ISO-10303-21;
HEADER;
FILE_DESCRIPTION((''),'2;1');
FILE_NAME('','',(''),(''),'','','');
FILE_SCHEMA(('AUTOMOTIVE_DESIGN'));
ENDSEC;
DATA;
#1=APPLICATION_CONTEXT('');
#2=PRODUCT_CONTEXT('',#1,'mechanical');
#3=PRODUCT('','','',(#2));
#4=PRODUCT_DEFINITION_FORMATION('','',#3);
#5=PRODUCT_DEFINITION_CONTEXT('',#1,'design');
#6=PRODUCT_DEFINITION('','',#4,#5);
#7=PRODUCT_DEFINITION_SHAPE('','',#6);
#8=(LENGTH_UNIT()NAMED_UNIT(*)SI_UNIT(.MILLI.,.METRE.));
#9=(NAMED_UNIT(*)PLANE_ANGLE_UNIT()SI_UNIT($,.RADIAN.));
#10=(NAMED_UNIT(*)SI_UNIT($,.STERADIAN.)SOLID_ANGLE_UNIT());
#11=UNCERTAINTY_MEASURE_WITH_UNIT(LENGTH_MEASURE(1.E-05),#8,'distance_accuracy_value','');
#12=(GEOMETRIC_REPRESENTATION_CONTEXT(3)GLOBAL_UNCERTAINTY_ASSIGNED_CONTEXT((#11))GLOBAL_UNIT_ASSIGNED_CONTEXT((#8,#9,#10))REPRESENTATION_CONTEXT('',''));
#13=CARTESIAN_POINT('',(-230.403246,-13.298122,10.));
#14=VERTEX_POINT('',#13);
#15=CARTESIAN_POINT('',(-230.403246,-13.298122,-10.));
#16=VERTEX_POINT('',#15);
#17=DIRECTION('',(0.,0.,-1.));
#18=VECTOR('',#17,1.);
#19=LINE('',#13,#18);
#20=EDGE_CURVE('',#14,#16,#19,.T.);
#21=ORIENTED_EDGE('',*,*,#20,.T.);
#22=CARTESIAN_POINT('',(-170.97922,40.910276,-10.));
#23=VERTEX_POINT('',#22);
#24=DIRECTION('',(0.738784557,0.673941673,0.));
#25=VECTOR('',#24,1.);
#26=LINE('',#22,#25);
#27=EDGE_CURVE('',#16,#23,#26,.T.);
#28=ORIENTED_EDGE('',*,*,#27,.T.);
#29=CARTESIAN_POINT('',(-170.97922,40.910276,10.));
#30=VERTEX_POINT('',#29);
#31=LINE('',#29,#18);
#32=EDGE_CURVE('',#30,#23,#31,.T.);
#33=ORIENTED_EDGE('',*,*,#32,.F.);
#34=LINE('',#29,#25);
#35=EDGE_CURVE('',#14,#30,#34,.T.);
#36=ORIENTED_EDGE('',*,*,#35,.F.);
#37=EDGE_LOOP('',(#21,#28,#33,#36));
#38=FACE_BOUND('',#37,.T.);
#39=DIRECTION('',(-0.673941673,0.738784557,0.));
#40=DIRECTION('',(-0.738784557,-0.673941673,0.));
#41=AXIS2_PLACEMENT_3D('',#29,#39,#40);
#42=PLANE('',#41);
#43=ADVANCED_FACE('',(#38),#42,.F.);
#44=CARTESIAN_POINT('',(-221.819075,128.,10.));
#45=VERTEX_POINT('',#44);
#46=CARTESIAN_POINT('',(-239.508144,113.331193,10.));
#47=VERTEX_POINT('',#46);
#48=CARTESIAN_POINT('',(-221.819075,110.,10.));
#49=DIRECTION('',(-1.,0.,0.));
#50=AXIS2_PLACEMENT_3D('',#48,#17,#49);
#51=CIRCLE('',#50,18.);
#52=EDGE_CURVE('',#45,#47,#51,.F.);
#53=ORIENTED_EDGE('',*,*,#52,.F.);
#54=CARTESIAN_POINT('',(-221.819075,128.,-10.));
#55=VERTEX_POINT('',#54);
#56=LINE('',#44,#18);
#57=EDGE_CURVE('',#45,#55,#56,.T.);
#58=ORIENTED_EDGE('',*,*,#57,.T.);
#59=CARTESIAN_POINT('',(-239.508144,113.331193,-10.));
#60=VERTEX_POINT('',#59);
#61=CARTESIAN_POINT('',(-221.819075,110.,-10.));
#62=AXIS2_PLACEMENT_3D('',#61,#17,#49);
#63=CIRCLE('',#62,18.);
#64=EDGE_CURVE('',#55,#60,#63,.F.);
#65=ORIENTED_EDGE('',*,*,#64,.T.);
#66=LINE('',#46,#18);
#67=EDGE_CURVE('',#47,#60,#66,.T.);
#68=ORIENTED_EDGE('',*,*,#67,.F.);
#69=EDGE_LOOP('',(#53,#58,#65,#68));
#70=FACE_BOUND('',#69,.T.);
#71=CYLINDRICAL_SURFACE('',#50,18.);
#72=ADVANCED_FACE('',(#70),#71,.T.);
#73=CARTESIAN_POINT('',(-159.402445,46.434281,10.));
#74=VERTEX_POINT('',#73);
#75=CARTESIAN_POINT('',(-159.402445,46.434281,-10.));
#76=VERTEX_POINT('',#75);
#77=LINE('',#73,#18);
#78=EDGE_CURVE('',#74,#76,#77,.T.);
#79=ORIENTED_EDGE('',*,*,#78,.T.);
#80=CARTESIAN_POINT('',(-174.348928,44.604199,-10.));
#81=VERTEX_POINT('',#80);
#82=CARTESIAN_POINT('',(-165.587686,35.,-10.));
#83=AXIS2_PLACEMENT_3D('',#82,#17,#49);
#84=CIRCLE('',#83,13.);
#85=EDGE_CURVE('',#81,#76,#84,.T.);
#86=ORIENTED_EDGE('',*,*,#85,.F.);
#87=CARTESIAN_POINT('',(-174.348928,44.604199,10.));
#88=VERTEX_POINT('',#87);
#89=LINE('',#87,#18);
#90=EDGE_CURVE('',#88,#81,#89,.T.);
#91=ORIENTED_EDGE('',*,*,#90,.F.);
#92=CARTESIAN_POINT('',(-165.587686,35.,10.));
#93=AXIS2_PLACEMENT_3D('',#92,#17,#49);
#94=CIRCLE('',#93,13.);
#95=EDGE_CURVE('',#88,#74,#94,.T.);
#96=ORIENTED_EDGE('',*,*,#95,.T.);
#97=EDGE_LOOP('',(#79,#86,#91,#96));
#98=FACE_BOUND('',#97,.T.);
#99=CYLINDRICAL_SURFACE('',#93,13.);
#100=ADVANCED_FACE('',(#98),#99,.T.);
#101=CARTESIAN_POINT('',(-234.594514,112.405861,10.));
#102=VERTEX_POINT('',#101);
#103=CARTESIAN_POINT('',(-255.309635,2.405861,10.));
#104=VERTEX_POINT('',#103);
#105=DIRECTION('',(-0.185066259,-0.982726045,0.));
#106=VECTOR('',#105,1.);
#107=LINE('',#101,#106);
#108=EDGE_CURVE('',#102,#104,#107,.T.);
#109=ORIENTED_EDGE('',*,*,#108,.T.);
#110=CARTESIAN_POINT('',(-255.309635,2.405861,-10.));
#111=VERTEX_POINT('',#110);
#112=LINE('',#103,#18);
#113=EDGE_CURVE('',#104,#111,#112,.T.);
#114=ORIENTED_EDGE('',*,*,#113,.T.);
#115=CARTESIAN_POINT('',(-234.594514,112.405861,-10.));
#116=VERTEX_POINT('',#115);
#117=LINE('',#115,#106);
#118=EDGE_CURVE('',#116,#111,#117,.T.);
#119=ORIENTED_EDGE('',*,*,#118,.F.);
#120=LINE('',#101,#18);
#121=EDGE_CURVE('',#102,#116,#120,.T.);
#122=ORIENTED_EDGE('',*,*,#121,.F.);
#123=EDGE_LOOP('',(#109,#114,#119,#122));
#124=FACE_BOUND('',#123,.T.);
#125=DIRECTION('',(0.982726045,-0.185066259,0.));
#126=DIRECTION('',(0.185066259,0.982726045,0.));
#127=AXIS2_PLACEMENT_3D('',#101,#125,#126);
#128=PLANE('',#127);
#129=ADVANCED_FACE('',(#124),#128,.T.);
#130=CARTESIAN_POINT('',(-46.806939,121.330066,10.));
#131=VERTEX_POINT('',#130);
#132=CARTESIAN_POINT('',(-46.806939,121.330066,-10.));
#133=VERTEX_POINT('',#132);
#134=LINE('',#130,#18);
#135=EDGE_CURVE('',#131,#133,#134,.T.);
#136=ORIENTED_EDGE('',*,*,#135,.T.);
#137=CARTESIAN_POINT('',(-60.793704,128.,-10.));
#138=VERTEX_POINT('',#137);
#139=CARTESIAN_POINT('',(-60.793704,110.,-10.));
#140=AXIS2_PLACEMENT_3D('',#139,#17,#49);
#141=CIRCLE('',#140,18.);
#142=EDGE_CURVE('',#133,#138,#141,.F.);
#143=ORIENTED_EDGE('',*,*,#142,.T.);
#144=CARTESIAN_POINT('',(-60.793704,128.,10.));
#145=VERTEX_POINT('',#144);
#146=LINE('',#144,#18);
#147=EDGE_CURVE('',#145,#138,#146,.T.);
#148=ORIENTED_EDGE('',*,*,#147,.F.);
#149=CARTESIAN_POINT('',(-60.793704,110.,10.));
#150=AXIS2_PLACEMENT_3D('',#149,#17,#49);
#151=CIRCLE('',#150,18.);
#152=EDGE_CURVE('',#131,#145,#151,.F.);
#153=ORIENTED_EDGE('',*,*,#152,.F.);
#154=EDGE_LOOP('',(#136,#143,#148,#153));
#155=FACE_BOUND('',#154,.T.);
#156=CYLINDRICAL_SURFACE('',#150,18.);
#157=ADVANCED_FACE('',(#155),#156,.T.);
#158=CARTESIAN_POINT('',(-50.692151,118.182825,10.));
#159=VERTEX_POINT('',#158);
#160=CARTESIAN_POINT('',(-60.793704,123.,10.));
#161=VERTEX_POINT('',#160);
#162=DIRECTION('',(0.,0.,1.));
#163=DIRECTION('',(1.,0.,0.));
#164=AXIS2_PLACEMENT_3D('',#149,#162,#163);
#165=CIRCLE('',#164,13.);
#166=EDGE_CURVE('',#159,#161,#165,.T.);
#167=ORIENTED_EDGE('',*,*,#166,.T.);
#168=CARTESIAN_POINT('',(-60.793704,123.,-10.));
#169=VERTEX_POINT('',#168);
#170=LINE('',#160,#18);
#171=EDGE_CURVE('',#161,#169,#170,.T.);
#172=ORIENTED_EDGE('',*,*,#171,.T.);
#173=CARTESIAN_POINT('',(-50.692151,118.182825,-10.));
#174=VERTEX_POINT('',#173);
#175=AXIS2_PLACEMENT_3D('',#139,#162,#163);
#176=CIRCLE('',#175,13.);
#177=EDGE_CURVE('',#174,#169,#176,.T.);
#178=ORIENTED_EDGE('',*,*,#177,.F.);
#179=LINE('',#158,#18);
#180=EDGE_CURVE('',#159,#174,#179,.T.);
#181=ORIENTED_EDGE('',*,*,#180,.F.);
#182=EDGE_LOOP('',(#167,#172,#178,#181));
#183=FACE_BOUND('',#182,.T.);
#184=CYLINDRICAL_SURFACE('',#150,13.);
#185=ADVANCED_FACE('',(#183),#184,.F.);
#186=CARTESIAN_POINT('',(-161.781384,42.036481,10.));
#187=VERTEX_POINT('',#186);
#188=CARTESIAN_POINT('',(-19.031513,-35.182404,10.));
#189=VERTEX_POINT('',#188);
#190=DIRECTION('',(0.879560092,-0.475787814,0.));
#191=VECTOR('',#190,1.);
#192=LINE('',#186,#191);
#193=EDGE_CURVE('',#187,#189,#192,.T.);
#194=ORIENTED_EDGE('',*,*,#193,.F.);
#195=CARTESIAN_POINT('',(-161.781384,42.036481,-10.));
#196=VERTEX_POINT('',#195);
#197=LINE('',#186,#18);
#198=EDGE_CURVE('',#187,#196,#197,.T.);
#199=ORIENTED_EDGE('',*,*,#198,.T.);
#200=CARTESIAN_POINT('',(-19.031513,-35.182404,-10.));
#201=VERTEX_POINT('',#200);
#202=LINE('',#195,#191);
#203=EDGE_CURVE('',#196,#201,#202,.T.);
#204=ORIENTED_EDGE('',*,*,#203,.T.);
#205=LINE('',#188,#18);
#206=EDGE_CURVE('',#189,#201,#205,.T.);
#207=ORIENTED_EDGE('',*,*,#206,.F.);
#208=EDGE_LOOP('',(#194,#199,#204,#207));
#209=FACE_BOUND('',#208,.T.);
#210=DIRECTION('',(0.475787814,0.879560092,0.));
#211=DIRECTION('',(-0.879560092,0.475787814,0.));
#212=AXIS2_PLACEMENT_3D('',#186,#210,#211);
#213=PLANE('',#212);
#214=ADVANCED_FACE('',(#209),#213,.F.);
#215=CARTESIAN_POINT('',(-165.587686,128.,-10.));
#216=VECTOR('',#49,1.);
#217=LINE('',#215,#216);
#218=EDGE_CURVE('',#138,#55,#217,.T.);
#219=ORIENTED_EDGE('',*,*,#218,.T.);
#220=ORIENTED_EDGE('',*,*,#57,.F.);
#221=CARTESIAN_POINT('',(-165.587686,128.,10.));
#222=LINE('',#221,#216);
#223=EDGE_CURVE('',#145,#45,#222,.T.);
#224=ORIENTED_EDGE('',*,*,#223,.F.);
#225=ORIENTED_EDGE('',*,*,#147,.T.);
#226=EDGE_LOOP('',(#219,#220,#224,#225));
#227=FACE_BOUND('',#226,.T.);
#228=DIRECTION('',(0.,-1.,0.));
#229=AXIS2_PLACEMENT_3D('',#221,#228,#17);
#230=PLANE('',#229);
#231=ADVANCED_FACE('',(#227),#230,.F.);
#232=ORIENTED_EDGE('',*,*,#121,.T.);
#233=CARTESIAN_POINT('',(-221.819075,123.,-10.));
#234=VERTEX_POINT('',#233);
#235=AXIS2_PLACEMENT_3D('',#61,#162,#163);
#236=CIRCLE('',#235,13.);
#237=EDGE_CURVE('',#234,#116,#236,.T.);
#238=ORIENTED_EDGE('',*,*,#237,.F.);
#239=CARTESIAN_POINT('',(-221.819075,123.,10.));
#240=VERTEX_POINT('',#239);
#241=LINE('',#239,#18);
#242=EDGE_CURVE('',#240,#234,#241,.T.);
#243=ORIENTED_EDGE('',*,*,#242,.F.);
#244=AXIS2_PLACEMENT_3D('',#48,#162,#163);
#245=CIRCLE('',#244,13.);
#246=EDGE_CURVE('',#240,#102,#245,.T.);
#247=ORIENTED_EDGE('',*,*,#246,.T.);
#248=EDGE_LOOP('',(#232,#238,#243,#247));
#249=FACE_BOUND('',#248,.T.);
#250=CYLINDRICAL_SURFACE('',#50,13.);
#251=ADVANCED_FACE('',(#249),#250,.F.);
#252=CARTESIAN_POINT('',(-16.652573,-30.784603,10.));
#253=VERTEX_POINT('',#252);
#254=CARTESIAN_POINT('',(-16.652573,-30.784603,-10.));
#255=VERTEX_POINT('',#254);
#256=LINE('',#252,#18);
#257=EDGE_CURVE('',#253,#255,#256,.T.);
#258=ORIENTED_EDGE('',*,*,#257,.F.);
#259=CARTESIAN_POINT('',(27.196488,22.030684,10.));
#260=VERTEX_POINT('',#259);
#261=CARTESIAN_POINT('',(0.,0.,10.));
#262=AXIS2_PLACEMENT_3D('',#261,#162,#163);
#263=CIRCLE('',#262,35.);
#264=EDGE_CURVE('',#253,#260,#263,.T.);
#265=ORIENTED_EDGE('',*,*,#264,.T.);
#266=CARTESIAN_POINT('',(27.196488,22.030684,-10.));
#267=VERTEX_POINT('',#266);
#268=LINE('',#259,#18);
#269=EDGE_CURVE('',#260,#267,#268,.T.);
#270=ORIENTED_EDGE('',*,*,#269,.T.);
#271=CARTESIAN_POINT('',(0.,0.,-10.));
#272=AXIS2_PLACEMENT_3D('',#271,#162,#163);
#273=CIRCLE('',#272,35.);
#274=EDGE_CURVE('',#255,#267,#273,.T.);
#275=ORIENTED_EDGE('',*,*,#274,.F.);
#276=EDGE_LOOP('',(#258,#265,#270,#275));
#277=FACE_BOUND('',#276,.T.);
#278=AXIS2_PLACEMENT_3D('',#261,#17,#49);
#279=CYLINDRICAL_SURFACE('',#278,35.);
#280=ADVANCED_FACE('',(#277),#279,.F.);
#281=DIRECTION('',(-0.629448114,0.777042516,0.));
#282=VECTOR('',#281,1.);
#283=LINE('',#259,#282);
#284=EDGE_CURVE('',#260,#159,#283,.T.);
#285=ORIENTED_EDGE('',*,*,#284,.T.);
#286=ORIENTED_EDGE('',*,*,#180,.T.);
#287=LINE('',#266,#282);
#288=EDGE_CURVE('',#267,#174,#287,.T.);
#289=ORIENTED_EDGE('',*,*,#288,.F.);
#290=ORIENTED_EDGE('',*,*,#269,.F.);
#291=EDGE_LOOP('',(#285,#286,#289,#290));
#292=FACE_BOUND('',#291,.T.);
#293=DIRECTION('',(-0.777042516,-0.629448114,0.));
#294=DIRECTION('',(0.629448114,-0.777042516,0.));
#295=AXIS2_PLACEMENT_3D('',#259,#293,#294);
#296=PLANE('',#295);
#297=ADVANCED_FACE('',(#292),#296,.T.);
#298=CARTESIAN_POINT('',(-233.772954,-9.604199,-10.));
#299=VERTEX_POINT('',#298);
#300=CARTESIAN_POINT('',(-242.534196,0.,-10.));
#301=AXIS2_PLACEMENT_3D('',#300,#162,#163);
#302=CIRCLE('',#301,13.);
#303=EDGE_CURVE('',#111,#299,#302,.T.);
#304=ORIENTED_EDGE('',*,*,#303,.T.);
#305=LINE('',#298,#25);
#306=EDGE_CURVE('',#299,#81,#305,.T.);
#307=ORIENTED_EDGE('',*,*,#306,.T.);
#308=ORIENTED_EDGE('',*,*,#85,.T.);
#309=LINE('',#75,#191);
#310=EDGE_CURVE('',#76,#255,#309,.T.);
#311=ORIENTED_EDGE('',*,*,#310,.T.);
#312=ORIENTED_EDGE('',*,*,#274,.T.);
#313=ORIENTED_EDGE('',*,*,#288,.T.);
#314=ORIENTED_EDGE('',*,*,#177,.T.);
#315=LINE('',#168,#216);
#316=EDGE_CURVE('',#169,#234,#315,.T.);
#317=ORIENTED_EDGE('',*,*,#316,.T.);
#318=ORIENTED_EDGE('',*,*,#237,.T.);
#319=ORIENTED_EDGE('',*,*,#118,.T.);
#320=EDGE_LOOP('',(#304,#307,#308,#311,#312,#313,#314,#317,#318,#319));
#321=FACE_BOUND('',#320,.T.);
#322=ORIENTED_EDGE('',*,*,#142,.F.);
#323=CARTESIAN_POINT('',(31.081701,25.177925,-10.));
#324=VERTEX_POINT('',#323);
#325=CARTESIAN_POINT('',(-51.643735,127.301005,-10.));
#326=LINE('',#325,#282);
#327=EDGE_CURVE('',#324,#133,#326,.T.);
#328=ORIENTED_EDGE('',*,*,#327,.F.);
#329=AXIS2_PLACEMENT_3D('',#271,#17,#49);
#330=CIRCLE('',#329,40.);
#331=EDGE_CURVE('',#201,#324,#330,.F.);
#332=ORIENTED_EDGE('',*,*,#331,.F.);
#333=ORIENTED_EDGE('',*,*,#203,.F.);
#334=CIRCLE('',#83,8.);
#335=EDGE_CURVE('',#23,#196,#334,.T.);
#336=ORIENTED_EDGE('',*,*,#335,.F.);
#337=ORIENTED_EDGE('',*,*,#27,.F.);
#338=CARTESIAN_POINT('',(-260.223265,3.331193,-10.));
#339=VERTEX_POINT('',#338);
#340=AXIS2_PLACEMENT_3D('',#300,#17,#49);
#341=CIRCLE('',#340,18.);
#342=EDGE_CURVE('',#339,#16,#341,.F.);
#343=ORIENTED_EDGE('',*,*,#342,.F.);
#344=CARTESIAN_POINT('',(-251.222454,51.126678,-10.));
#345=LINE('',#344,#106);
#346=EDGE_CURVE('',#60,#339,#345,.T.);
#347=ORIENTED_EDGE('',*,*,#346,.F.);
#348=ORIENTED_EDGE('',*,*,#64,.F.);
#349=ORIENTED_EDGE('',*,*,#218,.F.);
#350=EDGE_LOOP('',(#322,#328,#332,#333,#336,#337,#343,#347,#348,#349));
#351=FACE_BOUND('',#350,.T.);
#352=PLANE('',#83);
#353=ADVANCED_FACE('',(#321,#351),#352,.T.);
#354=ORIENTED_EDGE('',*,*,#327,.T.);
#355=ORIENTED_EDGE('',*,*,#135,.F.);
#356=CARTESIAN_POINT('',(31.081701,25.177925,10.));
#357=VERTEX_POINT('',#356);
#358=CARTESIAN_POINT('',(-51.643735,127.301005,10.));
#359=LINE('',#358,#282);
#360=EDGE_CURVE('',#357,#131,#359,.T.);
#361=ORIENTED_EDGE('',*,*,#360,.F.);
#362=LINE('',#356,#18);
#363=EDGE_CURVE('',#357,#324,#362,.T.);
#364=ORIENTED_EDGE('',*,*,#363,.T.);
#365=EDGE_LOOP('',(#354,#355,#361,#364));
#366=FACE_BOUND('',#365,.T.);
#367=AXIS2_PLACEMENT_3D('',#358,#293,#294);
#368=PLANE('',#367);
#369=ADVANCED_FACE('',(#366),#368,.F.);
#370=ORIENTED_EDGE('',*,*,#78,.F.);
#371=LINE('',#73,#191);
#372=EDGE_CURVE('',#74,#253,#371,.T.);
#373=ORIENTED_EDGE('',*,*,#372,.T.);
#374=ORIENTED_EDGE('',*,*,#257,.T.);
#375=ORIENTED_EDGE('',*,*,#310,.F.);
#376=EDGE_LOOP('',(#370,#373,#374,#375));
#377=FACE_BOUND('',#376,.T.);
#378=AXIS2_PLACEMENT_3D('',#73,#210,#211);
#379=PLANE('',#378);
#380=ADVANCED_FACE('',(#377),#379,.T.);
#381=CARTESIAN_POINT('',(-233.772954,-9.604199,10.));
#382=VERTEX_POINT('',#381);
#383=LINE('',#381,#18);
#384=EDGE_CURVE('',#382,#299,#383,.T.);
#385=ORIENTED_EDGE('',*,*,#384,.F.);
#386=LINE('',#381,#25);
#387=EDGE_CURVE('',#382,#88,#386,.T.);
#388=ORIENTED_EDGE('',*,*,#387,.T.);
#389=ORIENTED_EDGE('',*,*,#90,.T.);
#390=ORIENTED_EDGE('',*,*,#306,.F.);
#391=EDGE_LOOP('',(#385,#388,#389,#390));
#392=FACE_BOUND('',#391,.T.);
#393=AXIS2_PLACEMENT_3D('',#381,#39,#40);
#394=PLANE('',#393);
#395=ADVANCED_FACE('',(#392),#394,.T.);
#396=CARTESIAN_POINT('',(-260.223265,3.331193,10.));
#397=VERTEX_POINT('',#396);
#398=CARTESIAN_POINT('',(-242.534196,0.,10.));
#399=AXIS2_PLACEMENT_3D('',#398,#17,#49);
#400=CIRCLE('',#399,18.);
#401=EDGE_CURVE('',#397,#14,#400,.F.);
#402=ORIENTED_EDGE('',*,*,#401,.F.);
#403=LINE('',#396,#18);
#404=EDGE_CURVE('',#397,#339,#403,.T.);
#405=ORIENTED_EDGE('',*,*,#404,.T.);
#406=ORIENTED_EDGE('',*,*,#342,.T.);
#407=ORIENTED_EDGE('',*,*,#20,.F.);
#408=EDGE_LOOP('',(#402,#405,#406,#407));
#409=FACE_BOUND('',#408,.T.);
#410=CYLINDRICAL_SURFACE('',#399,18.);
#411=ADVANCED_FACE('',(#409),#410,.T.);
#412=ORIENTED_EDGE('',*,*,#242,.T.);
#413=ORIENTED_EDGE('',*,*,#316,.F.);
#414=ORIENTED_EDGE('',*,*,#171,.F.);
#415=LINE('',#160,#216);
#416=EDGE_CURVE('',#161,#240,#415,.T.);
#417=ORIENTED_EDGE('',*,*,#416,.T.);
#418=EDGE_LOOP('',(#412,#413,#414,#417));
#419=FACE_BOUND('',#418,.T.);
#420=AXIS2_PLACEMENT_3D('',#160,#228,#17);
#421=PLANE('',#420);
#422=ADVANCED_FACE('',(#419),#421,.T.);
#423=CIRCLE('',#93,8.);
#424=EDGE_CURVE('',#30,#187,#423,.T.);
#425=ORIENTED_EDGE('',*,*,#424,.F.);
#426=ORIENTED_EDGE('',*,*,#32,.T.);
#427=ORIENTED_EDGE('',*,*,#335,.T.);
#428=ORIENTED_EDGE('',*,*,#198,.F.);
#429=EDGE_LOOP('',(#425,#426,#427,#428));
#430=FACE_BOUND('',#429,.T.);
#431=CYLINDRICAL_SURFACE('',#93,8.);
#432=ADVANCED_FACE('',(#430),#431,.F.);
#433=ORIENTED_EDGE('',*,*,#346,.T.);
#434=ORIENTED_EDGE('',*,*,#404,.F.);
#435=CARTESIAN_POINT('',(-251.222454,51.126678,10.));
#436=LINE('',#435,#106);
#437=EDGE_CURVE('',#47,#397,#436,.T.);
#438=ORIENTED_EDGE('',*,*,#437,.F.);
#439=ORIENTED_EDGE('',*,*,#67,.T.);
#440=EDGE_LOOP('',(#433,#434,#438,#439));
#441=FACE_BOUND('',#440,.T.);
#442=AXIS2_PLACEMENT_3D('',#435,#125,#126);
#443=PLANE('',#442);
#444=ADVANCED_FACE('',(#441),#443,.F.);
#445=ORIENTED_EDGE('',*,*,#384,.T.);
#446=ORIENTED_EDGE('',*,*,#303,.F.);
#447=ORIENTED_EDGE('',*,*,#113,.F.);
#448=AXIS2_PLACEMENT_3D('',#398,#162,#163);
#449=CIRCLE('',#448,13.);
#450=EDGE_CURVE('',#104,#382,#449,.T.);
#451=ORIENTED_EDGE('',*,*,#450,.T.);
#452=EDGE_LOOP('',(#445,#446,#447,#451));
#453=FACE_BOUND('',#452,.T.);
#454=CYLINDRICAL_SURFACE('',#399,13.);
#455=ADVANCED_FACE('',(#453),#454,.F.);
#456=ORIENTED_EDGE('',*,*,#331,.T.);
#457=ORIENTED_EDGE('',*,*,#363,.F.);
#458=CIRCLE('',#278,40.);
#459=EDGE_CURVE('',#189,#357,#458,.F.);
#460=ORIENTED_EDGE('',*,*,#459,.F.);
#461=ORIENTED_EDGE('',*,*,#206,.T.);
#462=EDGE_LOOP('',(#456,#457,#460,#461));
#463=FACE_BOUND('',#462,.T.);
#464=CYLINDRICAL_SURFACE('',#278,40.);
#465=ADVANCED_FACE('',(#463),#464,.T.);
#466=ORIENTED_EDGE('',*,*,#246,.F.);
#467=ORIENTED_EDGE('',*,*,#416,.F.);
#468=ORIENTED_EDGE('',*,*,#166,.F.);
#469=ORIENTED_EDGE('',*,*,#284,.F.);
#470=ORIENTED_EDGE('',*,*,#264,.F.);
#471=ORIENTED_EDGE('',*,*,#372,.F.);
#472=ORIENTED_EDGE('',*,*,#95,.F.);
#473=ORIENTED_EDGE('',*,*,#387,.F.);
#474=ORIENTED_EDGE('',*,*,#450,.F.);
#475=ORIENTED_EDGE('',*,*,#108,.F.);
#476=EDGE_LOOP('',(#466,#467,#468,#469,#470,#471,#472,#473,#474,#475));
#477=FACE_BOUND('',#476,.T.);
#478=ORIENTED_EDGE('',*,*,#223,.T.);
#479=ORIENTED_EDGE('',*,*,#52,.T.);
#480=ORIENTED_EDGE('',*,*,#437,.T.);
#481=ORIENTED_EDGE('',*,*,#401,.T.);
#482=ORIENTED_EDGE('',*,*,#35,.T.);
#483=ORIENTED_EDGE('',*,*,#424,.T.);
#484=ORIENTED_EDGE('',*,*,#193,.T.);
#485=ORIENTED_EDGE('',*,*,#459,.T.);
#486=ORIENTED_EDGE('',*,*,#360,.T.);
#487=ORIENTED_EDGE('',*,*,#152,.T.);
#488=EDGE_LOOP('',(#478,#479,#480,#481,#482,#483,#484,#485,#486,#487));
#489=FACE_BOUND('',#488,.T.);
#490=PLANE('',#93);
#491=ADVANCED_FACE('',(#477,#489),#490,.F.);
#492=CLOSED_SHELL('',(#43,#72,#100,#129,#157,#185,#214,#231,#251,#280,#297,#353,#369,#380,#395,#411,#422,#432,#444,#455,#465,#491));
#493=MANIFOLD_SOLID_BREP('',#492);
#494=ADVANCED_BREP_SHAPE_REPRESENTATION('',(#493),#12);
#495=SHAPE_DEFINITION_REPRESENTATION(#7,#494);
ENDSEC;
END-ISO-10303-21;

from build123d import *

# Parameters (mm, degrees)
EXTRUDE_THIN1_DEPTH = 10


with BuildPart() as part:
    # Sketch2 → Extrude-Thin1 (new, symmetric)
    with BuildSketch(Plane.XY):
        with BuildLine():
            Line((-161.781383655, 42.036480739), (-19.031512561, -35.182403693))
            ThreePointArc((-19.031512561, -35.182403693), (30.775705763, -25.551045669), (31.081700633, 25.177924573))
            Line((31.081700633, 25.177924573), (-46.806938551, 121.330066058))
            ThreePointArc((-46.806938551, 121.330066058), (-53.045839261, 126.247171893), (-60.793703836, 128))
            Line((-60.793703836, 128), (-221.819075448, 128))
            ThreePointArc((-221.819075448, 128), (-233.30903916, 123.855711237), (-239.508144262, 113.331192655))
            Line((-239.508144262, 113.331192655), (-260.223264765, 3.331192655))
            ThreePointArc((-260.223264765, 3.331192655), (-251.300991125, -15.720792041), (-230.403245845, -13.29812203))
            Line((-230.403245845, -13.29812203), (-170.979219548, 40.910276458))
            ThreePointArc((-170.979219548, 40.910276458), (-166.559963518, 42.940697498), (-161.781383655, 42.036480739))
        make_face()
        with BuildLine():
            Line((-159.402444585, 46.4342812), (-16.652573491, -30.784603232))
            ThreePointArc((-16.652573491, -30.784603232), (26.928742543, -22.35716496), (27.196488054, 22.030684001))
            Line((27.196488054, 22.030684001), (-50.69215113, 118.182825486))
            ThreePointArc((-50.69215113, 118.182825486), (-55.198023865, 121.734068589), (-60.793703836, 123))
            Line((-60.793703836, 123), (-221.819075448, 123))
            ThreePointArc((-221.819075448, 123), (-230.117382574, 120.00690256), (-234.594514036, 112.405861362))
            Line((-234.594514036, 112.405861362), (-255.309634539, 2.405861362))
            ThreePointArc((-255.309634539, 2.405861362), (-248.865770243, -11.353905363), (-233.772954208, -9.604199244))
            Line((-233.772954208, -9.604199244), (-174.348927911, 44.604199244))
            ThreePointArc((-174.348927911, 44.604199244), (-167.167636862, 47.903633434), (-159.402444585, 46.4342812))
        make_face(mode=Mode.SUBTRACT)
    extrude(amount=EXTRUDE_THIN1_DEPTH, both=True)


solid = part.part
